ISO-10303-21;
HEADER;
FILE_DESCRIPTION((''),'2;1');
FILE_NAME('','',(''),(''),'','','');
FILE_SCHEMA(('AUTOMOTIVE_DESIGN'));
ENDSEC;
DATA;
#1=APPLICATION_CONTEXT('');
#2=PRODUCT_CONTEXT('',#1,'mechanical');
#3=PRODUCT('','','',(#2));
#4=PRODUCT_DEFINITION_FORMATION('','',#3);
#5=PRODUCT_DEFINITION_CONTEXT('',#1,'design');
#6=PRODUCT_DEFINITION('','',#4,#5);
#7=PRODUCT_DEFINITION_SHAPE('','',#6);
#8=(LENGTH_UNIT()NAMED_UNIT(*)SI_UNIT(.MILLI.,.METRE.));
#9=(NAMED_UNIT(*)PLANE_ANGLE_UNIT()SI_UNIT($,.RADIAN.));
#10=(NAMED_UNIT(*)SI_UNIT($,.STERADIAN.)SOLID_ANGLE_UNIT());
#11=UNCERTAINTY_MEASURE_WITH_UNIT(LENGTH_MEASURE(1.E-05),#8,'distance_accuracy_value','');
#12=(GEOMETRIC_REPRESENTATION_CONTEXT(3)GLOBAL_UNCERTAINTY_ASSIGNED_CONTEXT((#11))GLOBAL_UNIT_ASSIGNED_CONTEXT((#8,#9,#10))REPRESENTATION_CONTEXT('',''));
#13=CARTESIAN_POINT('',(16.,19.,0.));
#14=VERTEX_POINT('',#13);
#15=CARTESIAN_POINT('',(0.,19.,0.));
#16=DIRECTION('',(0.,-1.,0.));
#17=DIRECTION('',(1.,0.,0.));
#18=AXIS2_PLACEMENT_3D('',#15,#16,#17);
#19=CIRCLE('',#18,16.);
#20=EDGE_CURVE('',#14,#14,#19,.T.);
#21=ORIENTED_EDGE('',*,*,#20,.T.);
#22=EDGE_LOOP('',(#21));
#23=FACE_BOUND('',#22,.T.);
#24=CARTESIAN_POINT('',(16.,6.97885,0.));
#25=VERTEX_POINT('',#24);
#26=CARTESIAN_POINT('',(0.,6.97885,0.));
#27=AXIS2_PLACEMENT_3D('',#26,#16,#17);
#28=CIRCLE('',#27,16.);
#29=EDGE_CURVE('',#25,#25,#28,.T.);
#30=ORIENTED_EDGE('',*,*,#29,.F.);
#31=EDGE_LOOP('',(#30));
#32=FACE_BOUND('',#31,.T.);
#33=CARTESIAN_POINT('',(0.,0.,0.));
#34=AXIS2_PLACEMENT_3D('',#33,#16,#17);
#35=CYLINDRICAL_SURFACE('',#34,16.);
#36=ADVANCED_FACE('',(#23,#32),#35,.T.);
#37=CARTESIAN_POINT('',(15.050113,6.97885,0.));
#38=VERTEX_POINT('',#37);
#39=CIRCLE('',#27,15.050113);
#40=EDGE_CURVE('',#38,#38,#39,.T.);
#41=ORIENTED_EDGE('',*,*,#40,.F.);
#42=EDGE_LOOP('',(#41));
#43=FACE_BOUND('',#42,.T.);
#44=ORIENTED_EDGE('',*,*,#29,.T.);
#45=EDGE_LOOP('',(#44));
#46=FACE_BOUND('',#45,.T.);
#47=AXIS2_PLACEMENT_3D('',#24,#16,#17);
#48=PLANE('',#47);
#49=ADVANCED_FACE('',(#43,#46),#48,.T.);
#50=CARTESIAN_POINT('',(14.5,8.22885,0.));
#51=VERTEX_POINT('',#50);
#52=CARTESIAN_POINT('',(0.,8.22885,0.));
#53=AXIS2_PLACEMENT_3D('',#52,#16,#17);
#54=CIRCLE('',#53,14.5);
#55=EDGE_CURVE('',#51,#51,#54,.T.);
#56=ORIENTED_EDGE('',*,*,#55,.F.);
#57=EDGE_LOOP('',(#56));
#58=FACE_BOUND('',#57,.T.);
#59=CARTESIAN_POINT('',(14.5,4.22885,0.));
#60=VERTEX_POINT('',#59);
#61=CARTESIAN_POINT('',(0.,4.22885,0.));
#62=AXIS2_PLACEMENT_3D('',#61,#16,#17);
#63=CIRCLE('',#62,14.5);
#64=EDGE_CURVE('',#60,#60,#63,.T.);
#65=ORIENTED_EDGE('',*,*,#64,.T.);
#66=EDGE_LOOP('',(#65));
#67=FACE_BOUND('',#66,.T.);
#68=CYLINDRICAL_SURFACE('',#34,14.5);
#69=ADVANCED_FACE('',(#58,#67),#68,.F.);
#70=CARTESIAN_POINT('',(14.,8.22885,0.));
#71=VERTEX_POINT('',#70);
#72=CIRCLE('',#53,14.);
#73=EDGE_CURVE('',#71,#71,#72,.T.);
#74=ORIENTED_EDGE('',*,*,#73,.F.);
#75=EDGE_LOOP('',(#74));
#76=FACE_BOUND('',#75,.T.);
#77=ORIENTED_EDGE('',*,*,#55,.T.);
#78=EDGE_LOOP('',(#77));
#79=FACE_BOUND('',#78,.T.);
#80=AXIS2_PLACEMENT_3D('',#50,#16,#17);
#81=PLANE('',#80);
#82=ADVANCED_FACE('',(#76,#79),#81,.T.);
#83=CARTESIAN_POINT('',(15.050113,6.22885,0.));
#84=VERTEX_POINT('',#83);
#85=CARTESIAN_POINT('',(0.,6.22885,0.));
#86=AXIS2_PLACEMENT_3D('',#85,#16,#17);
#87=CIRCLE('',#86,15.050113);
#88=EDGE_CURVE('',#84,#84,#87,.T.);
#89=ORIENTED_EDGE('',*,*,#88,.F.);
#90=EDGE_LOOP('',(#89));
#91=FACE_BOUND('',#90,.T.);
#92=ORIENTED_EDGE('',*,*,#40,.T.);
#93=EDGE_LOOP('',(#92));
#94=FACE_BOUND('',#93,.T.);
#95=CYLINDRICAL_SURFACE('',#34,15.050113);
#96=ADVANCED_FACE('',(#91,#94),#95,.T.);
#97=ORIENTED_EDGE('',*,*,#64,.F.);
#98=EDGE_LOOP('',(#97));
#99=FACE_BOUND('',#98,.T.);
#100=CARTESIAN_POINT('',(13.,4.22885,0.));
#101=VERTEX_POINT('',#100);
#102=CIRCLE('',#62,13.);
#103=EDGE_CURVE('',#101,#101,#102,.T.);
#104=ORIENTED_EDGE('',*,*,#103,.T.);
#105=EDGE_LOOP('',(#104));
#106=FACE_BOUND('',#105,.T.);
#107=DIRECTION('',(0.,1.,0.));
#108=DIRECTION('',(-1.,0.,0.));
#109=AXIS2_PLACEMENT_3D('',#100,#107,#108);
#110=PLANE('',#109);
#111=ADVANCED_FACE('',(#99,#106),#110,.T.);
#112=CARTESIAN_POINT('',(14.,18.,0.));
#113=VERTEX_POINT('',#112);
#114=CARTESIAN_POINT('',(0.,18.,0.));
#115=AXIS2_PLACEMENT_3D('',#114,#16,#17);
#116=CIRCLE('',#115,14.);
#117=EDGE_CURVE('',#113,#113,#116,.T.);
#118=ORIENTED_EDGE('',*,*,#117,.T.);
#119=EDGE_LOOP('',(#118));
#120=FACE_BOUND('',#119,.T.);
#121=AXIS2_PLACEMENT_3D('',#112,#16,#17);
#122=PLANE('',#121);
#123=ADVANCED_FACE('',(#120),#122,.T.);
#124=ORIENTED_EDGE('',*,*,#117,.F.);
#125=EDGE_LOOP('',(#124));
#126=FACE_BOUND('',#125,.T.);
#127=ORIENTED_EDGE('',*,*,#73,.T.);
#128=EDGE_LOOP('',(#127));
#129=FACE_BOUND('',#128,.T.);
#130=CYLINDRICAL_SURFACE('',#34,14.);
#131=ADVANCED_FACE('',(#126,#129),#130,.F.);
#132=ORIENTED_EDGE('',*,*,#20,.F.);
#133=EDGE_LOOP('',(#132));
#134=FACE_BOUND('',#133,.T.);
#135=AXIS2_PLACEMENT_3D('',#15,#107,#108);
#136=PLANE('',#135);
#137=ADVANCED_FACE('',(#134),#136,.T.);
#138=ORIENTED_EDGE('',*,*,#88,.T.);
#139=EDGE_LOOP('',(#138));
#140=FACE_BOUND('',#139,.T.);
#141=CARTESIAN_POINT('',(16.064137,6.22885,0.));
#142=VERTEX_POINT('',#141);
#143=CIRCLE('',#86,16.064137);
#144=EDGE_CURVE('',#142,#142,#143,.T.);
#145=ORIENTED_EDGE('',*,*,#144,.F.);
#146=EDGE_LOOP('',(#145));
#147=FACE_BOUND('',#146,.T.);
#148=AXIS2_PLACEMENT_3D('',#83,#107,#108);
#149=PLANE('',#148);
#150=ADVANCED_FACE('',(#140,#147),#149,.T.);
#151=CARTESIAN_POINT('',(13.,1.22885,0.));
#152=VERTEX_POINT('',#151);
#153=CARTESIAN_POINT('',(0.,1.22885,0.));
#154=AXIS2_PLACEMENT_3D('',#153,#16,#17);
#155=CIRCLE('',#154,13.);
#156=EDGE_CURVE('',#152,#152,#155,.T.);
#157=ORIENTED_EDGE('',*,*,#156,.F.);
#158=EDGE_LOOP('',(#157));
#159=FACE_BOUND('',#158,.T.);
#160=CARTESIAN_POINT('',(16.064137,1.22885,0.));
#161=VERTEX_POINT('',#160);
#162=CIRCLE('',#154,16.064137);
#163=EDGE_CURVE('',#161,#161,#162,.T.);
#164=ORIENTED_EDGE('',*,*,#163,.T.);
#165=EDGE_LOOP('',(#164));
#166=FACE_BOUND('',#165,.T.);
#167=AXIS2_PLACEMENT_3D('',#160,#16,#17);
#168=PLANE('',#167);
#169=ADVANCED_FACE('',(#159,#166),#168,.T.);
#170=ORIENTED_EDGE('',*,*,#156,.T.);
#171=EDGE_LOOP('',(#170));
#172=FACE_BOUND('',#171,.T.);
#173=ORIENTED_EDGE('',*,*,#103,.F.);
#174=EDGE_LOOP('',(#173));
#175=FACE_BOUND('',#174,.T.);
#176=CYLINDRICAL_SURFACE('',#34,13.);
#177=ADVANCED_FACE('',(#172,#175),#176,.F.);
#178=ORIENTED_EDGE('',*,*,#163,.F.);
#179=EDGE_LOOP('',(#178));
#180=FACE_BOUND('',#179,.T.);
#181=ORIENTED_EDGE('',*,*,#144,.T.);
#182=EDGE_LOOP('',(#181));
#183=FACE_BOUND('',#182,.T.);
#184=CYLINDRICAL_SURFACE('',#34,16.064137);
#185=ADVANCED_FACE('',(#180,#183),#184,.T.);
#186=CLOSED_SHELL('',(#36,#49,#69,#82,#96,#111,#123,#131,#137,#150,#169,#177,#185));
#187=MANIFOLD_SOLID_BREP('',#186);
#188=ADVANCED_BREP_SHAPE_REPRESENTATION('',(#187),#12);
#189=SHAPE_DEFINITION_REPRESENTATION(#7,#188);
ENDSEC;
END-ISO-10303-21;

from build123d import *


with BuildPart() as part:
    # Sketch1 → Revolve1 (revolve)
    with BuildSketch(Plane.XY):
        Polygon((0, 19), (16, 19), (16, 6.978849502), (15.05011332, 6.978849502), (15.05011332, 6.228849502), (16.06413667, 6.228849502), (16.06413667, 1.228849502), (13, 1.228849502), (13, 4.228849502), (14.5, 4.228849502), (14.5, 8.228849502), (14, 8.228849502), (14, 18), (0, 18), align=None)
    revolve(axis=Axis((0, 0, 0), (0, 1, 0)))


solid = part.part
